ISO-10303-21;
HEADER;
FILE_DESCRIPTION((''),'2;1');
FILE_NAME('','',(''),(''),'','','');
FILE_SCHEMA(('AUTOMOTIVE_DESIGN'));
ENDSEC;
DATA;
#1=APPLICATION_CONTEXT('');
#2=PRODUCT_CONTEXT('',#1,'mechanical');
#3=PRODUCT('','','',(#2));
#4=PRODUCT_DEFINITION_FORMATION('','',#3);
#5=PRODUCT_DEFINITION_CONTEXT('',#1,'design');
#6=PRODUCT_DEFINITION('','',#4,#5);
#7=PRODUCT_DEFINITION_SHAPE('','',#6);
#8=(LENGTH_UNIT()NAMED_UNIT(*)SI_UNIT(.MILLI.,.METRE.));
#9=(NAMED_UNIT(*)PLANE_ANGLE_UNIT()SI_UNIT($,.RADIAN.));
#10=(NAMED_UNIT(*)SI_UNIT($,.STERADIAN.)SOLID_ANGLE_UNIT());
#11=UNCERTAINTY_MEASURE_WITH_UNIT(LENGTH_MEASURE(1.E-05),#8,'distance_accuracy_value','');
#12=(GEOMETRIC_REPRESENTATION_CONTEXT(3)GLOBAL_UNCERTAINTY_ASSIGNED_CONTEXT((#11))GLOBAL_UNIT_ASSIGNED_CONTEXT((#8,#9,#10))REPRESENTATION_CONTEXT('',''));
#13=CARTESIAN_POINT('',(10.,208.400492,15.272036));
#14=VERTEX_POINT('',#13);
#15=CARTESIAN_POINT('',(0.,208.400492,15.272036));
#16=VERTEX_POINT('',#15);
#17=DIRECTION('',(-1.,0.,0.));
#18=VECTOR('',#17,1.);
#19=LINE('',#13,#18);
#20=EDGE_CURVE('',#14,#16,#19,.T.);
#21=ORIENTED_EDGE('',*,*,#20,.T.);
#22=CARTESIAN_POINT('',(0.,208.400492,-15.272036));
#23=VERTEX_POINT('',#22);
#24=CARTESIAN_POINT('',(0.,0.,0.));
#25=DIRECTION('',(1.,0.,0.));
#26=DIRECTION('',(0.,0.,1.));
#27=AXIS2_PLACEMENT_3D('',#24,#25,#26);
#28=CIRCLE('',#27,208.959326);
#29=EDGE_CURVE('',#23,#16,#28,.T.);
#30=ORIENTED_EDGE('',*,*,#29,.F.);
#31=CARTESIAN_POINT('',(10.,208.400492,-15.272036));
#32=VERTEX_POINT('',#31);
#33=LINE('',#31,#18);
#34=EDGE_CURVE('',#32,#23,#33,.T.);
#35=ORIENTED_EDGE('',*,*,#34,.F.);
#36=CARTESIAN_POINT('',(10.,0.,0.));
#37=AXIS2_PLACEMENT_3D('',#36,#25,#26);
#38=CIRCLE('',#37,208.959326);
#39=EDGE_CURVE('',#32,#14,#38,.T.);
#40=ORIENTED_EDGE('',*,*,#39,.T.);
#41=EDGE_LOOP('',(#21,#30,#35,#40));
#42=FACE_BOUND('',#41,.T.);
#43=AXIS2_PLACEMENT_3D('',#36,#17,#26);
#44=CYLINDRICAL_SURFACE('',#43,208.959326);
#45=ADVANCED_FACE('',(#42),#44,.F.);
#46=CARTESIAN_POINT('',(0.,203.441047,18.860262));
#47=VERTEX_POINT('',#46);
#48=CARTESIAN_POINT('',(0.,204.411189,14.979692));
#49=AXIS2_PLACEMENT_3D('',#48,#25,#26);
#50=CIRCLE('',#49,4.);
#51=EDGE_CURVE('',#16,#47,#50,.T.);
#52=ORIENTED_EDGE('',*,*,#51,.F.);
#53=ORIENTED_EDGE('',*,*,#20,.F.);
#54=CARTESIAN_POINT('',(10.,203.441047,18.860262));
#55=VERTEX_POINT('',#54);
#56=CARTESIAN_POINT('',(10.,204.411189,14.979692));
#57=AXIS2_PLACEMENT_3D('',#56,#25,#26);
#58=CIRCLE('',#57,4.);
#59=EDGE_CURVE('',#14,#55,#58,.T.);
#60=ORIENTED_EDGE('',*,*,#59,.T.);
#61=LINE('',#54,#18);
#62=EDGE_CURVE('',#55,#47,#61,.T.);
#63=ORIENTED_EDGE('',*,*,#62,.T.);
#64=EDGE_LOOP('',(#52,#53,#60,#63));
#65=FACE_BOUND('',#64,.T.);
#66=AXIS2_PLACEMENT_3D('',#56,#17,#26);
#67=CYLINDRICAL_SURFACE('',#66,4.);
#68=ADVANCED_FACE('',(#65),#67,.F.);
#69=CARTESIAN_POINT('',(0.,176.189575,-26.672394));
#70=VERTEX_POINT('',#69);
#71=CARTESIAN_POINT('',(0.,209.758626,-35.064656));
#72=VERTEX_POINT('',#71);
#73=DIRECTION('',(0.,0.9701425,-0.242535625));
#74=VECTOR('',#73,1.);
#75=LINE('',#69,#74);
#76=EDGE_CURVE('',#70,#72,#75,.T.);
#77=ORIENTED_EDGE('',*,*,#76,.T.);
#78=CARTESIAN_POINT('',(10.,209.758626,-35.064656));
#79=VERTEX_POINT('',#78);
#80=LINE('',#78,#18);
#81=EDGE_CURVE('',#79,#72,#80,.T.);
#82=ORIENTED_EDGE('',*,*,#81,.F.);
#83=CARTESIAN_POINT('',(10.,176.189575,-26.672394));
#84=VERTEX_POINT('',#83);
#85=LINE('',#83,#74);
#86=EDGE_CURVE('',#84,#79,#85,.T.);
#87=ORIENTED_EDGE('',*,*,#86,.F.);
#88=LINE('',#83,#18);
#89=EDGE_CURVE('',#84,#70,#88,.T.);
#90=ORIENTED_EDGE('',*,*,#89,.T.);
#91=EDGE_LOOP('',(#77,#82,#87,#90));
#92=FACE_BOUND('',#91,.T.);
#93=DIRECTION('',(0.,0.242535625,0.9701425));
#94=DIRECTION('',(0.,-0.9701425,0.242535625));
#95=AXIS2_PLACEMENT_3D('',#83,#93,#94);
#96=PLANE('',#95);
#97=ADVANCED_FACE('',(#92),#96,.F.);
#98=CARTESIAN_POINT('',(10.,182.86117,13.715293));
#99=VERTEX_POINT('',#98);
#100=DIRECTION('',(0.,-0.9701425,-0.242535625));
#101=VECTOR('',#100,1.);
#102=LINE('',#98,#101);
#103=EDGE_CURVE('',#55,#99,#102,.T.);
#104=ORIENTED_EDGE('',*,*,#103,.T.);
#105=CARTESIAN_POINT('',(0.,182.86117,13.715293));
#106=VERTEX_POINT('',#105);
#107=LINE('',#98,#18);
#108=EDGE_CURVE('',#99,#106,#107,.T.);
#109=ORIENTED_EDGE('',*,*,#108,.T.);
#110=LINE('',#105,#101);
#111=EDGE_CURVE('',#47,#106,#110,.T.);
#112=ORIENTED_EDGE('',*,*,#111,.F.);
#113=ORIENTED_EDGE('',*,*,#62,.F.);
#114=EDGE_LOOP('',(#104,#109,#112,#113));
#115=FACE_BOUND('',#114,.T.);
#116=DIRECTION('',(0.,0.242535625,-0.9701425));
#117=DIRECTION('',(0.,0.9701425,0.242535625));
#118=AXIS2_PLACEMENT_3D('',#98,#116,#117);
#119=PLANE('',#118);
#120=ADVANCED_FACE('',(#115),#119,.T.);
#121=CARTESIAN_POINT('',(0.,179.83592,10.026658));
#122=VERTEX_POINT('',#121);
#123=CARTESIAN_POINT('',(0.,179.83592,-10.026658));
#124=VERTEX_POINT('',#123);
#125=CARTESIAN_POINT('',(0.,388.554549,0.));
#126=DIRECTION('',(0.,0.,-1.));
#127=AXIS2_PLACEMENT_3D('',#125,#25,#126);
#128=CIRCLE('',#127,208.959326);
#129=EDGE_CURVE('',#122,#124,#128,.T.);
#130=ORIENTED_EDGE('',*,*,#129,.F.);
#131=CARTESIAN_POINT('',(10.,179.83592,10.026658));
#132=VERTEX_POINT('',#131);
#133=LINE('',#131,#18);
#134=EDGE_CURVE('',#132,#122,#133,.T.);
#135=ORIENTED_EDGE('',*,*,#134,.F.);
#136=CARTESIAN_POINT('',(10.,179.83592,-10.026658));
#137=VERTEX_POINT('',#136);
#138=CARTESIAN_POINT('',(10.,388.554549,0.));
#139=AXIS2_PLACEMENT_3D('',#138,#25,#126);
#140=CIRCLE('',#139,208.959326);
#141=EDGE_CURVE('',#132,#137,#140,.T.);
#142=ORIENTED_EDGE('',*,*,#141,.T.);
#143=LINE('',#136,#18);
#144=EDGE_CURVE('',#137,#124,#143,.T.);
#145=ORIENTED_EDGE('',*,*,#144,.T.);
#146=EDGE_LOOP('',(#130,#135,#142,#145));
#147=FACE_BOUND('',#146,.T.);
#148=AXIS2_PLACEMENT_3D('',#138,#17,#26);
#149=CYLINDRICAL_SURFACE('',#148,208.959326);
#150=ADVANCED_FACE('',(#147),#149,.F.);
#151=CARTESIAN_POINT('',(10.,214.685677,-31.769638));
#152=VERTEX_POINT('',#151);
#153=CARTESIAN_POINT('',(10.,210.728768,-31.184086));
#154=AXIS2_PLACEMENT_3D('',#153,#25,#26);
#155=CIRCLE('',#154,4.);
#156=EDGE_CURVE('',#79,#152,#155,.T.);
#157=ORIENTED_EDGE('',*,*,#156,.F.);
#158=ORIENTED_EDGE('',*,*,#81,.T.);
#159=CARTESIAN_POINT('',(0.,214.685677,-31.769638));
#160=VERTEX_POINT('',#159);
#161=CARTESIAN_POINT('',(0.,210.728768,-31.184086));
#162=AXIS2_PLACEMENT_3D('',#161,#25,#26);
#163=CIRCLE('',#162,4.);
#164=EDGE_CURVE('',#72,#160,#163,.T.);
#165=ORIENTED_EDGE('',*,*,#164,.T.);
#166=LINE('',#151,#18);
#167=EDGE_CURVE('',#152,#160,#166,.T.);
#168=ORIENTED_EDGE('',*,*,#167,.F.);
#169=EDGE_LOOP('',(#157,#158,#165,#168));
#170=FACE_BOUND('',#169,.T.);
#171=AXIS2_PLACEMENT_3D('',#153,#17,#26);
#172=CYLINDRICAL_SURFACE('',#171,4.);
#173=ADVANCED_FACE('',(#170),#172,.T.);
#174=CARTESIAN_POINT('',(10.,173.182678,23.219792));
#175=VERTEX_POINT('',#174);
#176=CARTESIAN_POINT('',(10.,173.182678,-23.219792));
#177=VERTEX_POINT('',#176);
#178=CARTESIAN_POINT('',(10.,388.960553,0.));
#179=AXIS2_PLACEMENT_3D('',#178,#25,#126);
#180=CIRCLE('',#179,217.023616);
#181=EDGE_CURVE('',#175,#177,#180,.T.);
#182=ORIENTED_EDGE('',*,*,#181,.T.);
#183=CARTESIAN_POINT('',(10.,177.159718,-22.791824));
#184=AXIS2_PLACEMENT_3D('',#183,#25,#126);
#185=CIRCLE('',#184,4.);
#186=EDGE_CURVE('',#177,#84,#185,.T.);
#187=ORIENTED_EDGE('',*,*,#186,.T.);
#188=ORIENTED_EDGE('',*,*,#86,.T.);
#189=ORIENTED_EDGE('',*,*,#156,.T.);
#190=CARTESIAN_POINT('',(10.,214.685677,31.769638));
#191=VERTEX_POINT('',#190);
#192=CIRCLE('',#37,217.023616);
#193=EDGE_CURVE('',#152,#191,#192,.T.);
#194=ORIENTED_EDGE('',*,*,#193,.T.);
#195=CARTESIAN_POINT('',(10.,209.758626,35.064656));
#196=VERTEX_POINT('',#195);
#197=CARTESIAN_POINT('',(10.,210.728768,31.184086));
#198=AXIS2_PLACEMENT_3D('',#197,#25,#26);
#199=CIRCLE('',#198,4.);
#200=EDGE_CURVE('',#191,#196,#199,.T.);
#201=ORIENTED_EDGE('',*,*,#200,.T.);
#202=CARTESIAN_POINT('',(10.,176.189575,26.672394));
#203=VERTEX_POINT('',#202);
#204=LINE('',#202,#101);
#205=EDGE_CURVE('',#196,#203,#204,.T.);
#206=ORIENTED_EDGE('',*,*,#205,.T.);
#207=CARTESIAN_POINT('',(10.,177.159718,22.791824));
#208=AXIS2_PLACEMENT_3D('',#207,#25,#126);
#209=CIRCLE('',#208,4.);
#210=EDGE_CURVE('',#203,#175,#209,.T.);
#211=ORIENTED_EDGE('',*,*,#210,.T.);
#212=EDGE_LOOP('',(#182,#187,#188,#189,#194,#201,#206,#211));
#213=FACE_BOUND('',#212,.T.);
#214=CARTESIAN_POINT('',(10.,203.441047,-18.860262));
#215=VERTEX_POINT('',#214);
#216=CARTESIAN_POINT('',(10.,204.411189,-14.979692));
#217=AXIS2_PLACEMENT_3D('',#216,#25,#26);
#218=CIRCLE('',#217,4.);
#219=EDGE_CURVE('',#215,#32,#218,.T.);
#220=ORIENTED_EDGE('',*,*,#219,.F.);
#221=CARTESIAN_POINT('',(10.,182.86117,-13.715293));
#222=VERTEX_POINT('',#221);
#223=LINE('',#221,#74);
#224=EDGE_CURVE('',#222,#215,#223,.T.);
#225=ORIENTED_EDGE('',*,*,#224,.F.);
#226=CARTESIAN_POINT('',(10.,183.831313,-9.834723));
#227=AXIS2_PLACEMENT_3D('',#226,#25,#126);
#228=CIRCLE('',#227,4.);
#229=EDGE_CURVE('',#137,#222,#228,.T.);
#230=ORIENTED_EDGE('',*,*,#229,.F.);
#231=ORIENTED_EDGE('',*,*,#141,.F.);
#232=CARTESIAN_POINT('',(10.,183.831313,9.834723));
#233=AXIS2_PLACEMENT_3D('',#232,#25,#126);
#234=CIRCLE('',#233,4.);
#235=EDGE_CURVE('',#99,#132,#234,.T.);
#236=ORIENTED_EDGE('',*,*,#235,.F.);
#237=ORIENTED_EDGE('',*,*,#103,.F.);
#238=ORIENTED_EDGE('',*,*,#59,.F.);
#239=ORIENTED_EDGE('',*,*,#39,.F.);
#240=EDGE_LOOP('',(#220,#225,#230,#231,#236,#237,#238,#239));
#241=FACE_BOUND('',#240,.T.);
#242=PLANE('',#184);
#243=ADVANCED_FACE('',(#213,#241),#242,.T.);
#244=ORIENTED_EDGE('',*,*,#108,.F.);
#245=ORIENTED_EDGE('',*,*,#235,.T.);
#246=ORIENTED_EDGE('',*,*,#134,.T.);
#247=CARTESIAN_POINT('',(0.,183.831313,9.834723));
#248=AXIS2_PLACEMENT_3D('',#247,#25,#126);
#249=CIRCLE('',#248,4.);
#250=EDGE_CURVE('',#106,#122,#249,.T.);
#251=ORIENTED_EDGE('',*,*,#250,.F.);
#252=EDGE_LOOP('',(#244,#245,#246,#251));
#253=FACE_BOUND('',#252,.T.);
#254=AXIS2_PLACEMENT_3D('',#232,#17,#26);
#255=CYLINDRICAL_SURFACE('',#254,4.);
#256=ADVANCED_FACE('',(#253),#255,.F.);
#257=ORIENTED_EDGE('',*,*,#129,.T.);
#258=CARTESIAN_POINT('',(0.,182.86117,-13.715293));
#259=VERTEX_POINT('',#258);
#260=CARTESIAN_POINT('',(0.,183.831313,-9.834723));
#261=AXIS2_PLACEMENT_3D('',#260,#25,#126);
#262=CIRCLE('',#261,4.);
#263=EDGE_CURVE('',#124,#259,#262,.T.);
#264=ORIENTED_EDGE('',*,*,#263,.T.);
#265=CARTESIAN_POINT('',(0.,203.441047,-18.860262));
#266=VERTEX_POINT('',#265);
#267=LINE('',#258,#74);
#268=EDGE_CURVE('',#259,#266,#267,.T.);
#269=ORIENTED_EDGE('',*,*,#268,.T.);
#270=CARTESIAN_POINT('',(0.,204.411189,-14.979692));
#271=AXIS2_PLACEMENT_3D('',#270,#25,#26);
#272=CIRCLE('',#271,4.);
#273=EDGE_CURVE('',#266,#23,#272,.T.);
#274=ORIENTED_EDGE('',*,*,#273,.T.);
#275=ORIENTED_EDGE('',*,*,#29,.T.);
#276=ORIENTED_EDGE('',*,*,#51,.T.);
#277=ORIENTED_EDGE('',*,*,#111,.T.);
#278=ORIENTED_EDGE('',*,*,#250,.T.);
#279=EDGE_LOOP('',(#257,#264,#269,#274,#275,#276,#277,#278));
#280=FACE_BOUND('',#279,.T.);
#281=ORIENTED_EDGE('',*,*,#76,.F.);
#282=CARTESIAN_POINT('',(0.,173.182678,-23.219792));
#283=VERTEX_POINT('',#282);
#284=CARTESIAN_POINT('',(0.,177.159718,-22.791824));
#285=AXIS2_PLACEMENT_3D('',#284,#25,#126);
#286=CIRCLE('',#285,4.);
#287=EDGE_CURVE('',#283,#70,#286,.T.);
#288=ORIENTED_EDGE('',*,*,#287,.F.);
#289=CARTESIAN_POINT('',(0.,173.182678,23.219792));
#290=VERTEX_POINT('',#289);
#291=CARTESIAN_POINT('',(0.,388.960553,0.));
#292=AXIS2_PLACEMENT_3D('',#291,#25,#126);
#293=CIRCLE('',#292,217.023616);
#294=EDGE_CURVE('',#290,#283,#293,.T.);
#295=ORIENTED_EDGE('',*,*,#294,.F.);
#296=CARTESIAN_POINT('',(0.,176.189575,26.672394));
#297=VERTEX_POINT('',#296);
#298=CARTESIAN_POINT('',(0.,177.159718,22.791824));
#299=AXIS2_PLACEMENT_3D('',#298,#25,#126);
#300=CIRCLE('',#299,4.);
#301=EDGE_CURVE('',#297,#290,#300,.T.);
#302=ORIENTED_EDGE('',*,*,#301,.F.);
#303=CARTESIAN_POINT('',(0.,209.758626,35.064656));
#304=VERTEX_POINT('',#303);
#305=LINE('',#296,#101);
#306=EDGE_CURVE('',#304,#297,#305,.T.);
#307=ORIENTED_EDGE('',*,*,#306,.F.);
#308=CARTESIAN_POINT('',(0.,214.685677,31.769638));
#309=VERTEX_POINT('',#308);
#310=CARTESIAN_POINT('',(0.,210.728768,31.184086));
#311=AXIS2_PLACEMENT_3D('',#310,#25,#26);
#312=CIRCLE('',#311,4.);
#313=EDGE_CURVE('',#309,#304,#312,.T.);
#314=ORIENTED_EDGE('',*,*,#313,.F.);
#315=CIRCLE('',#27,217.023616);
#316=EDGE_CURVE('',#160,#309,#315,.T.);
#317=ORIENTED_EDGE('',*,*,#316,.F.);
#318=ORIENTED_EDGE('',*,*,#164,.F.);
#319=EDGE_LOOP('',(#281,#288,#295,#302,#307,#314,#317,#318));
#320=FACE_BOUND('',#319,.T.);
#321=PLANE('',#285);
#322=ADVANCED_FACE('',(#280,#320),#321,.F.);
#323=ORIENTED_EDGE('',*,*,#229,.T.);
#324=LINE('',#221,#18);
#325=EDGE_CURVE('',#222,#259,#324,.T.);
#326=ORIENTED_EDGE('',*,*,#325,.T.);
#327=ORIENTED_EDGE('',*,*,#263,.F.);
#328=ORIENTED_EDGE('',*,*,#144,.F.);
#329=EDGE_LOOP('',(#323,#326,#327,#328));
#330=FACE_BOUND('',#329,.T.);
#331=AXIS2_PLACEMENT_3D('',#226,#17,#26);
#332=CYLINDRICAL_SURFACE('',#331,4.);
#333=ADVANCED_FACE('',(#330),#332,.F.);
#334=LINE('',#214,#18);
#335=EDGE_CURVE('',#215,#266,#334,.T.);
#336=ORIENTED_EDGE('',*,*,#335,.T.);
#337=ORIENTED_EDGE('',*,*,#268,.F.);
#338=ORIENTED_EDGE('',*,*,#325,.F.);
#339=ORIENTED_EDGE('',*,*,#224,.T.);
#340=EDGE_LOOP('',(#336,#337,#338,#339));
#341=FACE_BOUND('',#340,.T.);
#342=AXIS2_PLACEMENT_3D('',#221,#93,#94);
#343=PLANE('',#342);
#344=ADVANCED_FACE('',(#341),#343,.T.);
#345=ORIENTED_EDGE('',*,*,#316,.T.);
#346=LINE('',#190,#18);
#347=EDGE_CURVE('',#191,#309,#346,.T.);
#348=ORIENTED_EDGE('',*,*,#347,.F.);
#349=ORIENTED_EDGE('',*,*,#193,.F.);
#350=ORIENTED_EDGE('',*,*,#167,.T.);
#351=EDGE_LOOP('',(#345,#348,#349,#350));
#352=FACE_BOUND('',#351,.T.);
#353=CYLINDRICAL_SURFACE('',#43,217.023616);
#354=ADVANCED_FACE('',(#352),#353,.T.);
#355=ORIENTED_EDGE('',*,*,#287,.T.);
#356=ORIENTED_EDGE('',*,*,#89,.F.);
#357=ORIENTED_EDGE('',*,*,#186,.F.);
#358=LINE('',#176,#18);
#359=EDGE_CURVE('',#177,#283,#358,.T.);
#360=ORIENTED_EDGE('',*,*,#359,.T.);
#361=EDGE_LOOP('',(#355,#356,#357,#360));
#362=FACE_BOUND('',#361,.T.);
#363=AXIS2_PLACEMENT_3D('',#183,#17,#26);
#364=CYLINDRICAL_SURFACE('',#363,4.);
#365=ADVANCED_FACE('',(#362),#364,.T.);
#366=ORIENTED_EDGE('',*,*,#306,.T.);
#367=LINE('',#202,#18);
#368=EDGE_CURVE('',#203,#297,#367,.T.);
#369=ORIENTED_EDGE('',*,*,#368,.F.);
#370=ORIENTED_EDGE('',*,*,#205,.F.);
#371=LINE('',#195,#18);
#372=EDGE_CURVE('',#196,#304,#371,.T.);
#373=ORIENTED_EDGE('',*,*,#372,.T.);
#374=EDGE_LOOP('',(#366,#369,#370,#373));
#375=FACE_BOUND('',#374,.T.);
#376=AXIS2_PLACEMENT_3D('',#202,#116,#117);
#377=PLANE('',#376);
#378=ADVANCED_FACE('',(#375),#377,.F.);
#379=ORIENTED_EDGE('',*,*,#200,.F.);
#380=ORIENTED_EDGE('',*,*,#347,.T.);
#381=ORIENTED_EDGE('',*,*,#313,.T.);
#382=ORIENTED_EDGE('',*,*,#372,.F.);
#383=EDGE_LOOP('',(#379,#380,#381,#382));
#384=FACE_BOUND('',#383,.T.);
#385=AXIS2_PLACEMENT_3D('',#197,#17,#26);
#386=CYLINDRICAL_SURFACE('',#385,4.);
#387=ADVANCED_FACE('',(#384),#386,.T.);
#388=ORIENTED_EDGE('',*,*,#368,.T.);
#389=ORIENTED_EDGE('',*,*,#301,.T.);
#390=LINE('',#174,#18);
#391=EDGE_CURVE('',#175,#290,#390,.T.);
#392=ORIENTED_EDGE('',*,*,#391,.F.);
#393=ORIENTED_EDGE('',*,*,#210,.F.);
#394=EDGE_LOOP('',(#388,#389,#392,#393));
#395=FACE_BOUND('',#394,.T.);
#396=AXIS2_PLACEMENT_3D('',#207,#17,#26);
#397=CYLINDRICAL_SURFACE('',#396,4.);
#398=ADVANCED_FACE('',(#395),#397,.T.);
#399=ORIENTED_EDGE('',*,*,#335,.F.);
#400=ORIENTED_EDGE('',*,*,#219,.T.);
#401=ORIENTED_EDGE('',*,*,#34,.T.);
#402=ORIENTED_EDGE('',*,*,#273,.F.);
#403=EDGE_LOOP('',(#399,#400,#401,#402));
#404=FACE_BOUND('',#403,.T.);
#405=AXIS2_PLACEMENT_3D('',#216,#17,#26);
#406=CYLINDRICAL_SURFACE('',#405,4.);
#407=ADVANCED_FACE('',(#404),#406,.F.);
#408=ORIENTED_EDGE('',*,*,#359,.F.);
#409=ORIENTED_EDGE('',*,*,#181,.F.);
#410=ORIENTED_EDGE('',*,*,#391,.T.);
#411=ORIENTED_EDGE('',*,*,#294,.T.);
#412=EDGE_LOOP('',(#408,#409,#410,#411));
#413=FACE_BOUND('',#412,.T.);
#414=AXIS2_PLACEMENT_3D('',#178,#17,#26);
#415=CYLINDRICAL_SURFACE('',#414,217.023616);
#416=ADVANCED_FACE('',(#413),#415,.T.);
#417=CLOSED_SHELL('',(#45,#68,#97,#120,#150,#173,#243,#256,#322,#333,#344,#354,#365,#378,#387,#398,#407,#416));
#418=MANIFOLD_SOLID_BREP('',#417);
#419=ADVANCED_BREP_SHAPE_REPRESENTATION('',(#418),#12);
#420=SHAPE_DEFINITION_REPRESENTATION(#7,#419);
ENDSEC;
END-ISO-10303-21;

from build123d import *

# Parameters (mm, degrees)
EXTRUDE_1_DEPTH = 10


with BuildPart() as part:
    # Эскиз1 → Вытянуть1 (new body)
    with BuildSketch(Plane(origin=(0, 0, 0), x_dir=(0, 0, -1), z_dir=(1, 0, 0))):
        with BuildLine():
            Line((26.672393858, 176.18957543), (35.064656469, 209.758625876))
            ThreePointArc((35.064656469, 209.758625876), (34.509070686, 212.952387038), (31.769638193, 214.68567742))
            ThreePointArc((31.769638193, 214.68567742), (0, 217.023616226), (-31.769638193, 214.68567742))
            ThreePointArc((-31.769638193, 214.68567742), (-34.509070686, 212.952387038), (-35.064656469, 209.758625876))
            Line((-35.064656469, 209.758625876), (-26.672393858, 176.18957543))
            ThreePointArc((-26.672393858, 176.18957543), (-25.418843537, 174.143301579), (-23.219791878, 173.182678407))
            ThreePointArc((-23.219791878, 173.182678407), (0, 171.936937008), (23.219791878, 173.182678407))
            ThreePointArc((23.219791878, 173.182678407), (25.418843537, 174.143301579), (26.672393858, 176.18957543))
        make_face()
        with BuildLine():
            Line((13.715292518, 182.861170071), (18.86026165, 203.441046598))
            ThreePointArc((18.86026165, 203.441046598), (18.220421187, 206.755900608), (15.272036319, 208.400491618))
            ThreePointArc((15.272036319, 208.400491618), (0, 208.959326186), (-15.272036319, 208.400491618))
            ThreePointArc((-15.272036319, 208.400491618), (-18.220421187, 206.755900608), (-18.86026165, 203.441046598))
            Line((-18.86026165, 203.441046598), (-13.715292518, 182.861170071))
            ThreePointArc((-13.715292518, 182.861170071), (-12.371326308, 180.738475491), (-10.026657624, 179.835920111))
            ThreePointArc((-10.026657624, 179.835920111), (0, 179.595223033), (10.026657624, 179.835920111))
            ThreePointArc((10.026657624, 179.835920111), (12.371326308, 180.738475491), (13.715292518, 182.861170071))
        make_face(mode=Mode.SUBTRACT)
    extrude(amount=EXTRUDE_1_DEPTH)


solid = part.part
